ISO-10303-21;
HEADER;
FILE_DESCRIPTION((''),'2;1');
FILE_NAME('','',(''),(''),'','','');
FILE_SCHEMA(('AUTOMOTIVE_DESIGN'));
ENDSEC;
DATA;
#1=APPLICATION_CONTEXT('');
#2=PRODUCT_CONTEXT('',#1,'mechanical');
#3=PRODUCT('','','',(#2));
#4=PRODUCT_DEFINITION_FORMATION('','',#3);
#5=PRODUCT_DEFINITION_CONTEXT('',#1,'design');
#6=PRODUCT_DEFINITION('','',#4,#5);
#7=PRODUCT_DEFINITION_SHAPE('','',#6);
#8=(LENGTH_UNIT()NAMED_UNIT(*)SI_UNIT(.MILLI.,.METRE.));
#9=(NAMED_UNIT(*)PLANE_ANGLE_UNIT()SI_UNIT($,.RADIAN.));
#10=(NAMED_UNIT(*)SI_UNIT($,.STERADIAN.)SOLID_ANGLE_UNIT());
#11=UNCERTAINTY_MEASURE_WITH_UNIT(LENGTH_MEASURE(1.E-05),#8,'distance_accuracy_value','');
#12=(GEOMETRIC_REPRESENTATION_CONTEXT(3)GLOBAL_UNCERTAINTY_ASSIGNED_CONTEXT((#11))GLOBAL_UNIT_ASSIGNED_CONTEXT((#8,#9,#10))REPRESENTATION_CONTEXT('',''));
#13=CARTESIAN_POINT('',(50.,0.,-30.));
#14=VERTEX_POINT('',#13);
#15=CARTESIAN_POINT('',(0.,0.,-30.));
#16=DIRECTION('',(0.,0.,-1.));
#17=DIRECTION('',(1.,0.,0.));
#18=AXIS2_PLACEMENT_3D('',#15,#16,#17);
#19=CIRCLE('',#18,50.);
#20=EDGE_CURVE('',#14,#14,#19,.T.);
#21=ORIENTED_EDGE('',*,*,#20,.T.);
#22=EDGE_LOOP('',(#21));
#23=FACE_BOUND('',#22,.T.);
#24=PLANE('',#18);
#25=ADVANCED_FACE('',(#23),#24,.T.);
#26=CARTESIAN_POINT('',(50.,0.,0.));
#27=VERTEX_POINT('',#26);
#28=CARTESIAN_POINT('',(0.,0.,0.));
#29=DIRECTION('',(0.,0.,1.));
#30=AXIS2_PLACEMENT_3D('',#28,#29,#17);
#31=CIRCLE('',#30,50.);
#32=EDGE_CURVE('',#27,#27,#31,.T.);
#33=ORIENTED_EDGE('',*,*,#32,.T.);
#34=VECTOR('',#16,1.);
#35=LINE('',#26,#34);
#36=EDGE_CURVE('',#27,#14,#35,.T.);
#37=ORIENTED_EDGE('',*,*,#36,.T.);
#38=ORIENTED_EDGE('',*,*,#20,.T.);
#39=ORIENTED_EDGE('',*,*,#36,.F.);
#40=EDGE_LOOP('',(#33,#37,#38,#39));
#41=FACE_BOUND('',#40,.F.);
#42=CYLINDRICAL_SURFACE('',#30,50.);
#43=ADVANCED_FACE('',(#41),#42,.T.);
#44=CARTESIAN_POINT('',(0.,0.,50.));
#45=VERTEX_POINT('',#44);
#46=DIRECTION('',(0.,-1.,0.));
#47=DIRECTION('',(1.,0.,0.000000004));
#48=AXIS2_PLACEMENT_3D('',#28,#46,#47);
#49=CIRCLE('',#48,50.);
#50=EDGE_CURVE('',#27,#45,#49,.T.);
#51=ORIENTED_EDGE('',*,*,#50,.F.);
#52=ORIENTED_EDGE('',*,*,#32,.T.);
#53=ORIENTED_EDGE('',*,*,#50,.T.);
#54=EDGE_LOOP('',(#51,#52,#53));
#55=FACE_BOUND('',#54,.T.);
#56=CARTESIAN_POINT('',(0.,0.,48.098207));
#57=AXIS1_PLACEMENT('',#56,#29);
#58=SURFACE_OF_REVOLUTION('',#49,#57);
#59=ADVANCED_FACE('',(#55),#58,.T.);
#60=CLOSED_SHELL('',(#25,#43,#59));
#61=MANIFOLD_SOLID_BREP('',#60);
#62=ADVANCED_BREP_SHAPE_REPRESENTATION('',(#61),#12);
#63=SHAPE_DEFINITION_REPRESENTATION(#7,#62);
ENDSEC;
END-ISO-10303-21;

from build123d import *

# Parameters (mm, degrees)
F3_R     = 50
F4_DEPTH = 30


with BuildPart() as f2:
    # F0 (on Front) → F2 (revolve)
    with BuildSketch(Plane.XZ):
        with BuildLine():
            Line((0, 50), (0, 0))
            Line((0, 0), (50, 0))
            ThreePointArc((50, 0), (35.355339, 35.355339), (0, 50))
        make_face()
    revolve(axis=Axis((0, 0, 48.098207), (0, 0, 1)))

    # F3 (on face) → F4 (join)
    with BuildSketch(Plane(origin=(0, 0, 0), x_dir=(1, 0, 0), z_dir=(0, 0, -1))):
        Circle(F3_R)
    extrude(amount=F4_DEPTH)


solid = f2.part
